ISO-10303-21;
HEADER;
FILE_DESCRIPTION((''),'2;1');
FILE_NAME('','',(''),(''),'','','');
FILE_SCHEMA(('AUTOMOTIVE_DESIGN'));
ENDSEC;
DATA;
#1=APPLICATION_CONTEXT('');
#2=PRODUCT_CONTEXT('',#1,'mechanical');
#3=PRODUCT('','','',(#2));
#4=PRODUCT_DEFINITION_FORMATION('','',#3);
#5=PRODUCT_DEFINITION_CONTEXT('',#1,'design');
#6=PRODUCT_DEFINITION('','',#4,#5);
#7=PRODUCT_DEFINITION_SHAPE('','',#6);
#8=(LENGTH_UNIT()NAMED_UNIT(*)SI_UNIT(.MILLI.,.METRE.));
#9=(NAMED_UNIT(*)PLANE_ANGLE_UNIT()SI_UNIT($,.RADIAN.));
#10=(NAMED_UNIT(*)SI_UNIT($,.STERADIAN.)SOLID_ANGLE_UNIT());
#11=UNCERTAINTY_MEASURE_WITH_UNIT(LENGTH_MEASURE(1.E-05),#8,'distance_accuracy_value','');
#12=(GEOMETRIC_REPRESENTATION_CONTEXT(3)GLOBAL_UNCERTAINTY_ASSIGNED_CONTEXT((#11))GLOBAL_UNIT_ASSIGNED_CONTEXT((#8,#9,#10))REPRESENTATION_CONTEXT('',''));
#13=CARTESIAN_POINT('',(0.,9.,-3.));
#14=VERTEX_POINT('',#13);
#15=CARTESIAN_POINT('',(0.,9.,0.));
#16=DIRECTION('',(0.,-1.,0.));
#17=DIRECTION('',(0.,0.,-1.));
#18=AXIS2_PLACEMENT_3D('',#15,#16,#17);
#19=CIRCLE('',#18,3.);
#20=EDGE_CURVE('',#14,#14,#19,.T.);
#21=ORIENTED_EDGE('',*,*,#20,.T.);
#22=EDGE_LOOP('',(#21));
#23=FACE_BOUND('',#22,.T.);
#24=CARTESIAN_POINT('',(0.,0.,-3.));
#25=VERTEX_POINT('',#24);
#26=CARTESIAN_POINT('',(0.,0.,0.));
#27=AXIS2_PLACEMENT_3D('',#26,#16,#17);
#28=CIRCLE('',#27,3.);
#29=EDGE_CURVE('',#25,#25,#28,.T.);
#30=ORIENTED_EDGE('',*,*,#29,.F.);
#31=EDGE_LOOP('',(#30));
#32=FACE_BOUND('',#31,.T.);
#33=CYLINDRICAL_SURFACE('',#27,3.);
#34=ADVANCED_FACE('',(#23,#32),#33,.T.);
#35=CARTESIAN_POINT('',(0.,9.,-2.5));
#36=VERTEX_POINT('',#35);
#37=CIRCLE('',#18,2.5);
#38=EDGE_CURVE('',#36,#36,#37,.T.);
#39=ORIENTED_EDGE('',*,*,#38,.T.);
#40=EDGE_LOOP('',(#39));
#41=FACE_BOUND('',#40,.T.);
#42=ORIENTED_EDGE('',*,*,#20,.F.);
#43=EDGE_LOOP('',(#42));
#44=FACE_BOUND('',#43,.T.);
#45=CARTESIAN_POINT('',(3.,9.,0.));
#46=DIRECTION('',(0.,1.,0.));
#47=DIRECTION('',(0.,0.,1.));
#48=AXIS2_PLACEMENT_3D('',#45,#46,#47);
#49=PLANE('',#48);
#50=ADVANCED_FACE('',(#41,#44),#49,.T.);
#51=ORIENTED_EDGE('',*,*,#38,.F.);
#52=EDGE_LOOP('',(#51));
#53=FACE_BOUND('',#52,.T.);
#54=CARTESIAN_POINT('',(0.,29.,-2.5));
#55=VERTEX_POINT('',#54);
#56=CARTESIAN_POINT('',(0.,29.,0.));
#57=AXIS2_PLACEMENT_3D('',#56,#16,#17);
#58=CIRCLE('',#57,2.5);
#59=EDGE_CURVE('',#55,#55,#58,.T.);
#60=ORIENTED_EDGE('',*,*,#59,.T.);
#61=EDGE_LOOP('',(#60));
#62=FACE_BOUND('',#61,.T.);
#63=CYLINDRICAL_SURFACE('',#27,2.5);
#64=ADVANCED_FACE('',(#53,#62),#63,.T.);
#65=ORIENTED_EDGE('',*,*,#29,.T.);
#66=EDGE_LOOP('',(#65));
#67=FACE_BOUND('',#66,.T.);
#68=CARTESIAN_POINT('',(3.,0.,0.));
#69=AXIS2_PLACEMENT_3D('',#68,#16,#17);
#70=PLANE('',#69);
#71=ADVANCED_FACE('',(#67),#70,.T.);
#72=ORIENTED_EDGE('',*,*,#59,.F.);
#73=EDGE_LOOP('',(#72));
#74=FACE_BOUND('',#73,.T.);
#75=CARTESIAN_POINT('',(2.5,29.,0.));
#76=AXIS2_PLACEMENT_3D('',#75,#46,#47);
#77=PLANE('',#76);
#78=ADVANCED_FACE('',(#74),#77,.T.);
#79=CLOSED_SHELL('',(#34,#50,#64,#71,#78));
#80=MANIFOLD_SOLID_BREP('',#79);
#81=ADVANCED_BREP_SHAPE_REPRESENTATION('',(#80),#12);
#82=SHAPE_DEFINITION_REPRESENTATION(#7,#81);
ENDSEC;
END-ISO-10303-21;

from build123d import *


with BuildPart() as part:
    # Sketch1 → Revolve1 (revolve)
    with BuildSketch(Plane.XY):
        Polygon((3, 0), (3, 9), (2.5, 9), (2.5, 29), (0, 29), (0, 0), align=None)
    revolve(axis=Axis((0, 0, 0), (0, 1, 0)))


solid = part.part
